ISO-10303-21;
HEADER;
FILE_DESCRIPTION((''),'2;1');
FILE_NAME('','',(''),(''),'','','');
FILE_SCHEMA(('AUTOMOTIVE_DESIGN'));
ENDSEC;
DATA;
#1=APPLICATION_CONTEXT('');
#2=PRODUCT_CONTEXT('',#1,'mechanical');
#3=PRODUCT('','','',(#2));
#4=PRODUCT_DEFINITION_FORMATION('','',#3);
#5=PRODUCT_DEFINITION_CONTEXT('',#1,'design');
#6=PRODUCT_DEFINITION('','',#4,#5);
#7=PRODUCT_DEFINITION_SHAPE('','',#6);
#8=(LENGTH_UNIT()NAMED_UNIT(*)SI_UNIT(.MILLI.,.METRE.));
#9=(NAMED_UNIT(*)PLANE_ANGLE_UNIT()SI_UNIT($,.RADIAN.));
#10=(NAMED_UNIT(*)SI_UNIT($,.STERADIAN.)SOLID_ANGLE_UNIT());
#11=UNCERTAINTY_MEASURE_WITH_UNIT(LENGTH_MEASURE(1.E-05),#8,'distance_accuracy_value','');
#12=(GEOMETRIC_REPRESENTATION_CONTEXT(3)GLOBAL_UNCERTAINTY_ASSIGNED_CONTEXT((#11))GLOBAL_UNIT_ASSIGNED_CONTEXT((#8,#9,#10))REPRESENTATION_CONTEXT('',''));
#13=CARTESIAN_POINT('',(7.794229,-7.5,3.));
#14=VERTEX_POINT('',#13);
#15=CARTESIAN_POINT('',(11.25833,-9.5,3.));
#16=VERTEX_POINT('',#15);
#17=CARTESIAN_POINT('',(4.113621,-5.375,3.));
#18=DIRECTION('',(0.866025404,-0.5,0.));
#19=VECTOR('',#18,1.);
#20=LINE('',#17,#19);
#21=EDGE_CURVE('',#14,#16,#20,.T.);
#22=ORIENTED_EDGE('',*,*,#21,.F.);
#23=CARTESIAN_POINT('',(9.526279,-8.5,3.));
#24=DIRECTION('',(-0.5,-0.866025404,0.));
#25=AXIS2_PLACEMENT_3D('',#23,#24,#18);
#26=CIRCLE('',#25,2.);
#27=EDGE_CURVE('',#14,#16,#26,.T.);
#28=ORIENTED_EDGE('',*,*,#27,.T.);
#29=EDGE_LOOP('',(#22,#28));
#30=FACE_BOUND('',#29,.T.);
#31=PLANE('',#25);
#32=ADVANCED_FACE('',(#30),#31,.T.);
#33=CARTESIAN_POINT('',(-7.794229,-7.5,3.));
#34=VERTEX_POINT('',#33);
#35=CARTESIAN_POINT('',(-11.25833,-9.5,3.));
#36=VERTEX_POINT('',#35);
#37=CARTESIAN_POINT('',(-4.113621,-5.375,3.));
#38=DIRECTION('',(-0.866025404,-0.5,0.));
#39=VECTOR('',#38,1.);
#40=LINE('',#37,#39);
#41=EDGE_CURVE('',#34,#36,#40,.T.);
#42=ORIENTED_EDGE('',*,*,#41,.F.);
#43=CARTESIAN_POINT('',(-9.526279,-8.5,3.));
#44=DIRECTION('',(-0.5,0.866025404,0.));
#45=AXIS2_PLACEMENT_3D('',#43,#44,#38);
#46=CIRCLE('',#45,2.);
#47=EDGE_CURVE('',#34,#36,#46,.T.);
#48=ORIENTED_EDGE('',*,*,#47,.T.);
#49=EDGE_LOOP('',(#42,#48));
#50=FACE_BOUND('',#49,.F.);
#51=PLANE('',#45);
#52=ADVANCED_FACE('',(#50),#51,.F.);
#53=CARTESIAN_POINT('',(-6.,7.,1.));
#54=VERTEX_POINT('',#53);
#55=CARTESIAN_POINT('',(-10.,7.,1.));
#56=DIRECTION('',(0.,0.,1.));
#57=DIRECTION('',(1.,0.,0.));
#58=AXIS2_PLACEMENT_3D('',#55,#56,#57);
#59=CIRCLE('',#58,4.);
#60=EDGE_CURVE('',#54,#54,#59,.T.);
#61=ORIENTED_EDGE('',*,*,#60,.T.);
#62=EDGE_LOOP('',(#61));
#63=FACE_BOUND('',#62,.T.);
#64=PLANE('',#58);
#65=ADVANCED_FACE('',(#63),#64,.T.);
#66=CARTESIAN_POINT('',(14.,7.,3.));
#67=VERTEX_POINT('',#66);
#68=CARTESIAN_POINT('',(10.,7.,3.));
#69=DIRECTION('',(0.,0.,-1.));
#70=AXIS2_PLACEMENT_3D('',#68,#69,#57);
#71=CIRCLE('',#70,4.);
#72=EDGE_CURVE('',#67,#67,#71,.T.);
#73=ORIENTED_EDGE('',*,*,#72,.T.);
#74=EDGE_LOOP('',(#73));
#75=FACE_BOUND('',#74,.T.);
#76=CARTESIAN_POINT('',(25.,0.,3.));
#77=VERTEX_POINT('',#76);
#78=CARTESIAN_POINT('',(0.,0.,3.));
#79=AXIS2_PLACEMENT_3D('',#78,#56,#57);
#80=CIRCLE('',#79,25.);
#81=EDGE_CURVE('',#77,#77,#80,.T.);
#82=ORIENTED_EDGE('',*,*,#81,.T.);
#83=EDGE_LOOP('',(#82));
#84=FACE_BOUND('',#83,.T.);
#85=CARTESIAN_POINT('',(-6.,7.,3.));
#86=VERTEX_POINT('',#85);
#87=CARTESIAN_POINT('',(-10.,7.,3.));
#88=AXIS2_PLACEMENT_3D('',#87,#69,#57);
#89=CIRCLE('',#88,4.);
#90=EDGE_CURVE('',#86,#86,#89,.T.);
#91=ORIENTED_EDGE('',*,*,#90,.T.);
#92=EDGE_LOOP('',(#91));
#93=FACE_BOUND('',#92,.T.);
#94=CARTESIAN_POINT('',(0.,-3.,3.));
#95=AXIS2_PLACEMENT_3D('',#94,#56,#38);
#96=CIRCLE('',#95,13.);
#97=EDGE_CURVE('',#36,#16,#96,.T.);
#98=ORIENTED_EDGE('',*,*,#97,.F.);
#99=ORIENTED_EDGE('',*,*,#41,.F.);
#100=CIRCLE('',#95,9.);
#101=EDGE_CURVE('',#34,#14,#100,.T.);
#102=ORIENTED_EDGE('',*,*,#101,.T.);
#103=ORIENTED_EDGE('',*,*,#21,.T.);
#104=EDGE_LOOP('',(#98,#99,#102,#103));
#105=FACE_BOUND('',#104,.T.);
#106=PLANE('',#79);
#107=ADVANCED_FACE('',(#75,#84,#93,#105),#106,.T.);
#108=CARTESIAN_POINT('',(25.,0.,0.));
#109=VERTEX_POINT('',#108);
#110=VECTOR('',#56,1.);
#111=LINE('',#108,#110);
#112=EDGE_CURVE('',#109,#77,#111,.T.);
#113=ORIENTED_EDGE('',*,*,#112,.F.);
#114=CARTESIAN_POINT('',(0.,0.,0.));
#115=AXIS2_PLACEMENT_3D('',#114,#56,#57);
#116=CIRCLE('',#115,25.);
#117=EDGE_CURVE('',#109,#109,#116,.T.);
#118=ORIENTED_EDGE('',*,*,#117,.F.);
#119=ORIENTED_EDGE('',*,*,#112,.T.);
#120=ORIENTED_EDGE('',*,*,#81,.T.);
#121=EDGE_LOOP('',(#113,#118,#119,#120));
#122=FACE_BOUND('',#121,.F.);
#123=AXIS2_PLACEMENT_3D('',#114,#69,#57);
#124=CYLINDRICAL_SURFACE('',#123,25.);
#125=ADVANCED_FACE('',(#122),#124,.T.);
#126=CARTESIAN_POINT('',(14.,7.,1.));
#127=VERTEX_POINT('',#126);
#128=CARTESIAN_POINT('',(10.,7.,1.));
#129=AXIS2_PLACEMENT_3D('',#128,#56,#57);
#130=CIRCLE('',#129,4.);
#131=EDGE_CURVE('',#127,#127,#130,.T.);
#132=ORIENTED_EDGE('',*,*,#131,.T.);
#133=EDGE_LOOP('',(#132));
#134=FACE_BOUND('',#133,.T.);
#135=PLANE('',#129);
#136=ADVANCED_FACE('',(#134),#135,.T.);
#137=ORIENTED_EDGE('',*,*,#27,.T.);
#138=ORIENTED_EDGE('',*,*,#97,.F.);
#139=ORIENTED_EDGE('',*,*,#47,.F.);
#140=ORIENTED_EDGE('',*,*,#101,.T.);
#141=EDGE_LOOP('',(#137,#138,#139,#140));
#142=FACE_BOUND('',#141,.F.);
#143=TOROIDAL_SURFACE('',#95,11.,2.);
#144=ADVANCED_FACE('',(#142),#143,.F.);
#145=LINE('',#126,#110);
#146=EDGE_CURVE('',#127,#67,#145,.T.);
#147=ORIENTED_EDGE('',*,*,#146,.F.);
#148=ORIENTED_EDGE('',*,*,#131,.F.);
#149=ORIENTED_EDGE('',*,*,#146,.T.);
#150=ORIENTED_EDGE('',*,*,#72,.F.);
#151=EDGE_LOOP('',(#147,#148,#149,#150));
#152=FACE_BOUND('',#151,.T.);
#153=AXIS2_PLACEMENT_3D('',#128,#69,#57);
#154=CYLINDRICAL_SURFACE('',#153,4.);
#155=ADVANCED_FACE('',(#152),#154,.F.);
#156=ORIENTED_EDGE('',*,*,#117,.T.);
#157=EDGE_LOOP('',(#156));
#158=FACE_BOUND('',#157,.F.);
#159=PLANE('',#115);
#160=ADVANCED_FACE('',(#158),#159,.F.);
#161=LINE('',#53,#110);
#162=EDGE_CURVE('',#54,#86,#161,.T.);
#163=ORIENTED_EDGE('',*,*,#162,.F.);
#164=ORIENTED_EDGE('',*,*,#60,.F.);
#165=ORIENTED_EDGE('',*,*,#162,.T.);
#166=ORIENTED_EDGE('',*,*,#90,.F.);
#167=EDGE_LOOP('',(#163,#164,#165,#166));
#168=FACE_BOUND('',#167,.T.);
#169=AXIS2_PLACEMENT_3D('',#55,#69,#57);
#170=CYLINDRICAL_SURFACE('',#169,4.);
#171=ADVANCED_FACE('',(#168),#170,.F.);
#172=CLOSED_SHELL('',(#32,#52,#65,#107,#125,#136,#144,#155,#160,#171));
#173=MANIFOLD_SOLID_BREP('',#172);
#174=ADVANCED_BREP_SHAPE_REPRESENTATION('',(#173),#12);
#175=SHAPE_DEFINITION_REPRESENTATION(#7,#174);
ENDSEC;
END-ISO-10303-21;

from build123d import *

# Parameters (mm, degrees)
TORUS_R               = 2
TORUS_ANGLE           = 120
TORUS_PLACEMENT_ANGLE = 150
CYLINDER001_R         = 4
CYLINDER001_DEPTH     = 10
ARRAY_X_COUNT         = 2
ARRAY_X_PITCH         = 20
CYLINDER_R            = 25
CYLINDER_DEPTH        = 3


with BuildPart() as torus:
    # Torus → Torus (revolve)
    with BuildSketch(Plane.XZ):
        with Locations((11, 0)):
            Circle(TORUS_R)
    revolve(axis=Axis((0, 0, 0), (0, 0, 1)), revolution_arc=TORUS_ANGLE)


with BuildPart() as torus_1:
    # Torus placement: moved
    add(torus.part.moved(Location((0, -3, 3))).rotate(Axis((0, -3, 3), (0, 0, -1)), TORUS_PLACEMENT_ANGLE))


with BuildPart() as ulls:
    # Cylinder001 → Cylinder001 (new body)
    with BuildSketch(Plane(origin=(-9, 7, 1), x_dir=(1, 0, 0), z_dir=(0, 0, 1))):
        Circle(CYLINDER001_R)
    extrude(amount=CYLINDER001_DEPTH)

    # Array X: ulls ×2


with BuildPart() as ulls_1:
    add(ulls.part)
    with Locations(*[(i * ARRAY_X_PITCH, 0, 0) for i in range(1, ARRAY_X_COUNT)]):
        add(ulls.part)


with BuildPart() as ulls_2:
    # Array placement: moved
    add(ulls_1.part.moved(Location((-1, 0, 0))))


with BuildPart() as cara_final:
    # Cylinder → Cylinder (new body)
    with BuildSketch(Plane.XY):
        Circle(CYLINDER_R)
    extrude(amount=CYLINDER_DEPTH)

    # Cut: cut ulls
    add(ulls_2.part, mode=Mode.SUBTRACT)

    # Cut001: cut Torus
    add(torus_1.part, mode=Mode.SUBTRACT)


solid = cara_final.part
